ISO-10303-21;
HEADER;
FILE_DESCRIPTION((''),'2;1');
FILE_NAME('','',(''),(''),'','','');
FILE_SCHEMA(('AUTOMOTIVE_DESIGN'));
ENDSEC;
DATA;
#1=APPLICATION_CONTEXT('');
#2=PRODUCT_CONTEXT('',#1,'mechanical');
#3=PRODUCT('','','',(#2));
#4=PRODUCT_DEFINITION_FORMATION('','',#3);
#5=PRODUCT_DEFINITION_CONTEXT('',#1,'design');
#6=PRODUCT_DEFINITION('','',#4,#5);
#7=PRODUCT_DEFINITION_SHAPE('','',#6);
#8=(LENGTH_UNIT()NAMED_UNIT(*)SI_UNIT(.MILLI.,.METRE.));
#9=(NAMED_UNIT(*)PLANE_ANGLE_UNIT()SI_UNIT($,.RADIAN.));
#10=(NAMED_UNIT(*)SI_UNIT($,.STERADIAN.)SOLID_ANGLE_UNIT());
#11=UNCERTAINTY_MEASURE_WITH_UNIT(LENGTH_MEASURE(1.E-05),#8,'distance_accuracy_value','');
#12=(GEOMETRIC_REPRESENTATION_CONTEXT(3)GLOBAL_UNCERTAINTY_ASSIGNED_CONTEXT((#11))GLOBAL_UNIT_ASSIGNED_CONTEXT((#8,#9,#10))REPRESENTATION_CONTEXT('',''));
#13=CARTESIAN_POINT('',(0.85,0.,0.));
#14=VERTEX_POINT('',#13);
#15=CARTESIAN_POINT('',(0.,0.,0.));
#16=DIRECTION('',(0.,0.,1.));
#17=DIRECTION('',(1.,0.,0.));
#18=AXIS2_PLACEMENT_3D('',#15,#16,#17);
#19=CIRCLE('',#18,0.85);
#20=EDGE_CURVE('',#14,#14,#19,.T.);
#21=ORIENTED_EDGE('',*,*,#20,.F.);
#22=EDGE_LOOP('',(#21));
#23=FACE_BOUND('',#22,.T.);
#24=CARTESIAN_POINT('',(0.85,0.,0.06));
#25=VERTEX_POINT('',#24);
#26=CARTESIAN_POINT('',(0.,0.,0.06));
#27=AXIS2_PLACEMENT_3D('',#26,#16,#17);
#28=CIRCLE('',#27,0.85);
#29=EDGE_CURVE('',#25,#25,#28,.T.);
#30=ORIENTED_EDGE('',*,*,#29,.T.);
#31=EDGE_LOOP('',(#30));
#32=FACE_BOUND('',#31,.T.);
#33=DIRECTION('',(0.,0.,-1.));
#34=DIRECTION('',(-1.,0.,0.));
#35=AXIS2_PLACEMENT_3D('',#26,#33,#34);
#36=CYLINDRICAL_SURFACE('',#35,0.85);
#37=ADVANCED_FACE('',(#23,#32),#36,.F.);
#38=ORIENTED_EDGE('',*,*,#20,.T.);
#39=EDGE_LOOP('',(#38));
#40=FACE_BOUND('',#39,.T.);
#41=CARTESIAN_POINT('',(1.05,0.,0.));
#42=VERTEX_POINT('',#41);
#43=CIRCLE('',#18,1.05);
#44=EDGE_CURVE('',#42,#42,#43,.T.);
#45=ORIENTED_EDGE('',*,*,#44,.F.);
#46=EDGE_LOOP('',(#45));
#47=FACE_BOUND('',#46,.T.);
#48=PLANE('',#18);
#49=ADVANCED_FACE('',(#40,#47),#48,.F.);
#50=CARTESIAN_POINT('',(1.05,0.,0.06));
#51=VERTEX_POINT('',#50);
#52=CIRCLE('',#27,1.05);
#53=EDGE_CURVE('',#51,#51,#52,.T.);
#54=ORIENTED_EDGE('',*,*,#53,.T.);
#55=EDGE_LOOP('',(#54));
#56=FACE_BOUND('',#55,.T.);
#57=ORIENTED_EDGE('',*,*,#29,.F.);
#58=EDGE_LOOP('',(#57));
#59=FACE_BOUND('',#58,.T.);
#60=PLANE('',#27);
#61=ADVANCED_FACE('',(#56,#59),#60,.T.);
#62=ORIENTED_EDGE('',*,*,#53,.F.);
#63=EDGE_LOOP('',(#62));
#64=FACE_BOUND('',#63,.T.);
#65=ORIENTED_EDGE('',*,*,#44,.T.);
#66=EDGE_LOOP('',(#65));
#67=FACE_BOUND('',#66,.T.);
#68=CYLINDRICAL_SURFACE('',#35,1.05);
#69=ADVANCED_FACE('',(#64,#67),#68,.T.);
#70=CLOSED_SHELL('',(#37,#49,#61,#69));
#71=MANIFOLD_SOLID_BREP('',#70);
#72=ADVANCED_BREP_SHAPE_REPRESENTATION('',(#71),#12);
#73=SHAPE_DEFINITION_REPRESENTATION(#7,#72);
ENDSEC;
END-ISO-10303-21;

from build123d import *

# Parameters (mm, degrees)
SKETCH_1_R      = 1.05
SKETCH_1_R_2    = 0.85
EXTRUDE_1_DEPTH = 0.06


with BuildPart() as part:
    # 草圖1 → 填料-伸長1 (new body)
    with BuildSketch(Plane.XY):
        Circle(SKETCH_1_R)
        Circle(SKETCH_1_R_2, mode=Mode.SUBTRACT)
    extrude(amount=EXTRUDE_1_DEPTH)


solid = part.part
